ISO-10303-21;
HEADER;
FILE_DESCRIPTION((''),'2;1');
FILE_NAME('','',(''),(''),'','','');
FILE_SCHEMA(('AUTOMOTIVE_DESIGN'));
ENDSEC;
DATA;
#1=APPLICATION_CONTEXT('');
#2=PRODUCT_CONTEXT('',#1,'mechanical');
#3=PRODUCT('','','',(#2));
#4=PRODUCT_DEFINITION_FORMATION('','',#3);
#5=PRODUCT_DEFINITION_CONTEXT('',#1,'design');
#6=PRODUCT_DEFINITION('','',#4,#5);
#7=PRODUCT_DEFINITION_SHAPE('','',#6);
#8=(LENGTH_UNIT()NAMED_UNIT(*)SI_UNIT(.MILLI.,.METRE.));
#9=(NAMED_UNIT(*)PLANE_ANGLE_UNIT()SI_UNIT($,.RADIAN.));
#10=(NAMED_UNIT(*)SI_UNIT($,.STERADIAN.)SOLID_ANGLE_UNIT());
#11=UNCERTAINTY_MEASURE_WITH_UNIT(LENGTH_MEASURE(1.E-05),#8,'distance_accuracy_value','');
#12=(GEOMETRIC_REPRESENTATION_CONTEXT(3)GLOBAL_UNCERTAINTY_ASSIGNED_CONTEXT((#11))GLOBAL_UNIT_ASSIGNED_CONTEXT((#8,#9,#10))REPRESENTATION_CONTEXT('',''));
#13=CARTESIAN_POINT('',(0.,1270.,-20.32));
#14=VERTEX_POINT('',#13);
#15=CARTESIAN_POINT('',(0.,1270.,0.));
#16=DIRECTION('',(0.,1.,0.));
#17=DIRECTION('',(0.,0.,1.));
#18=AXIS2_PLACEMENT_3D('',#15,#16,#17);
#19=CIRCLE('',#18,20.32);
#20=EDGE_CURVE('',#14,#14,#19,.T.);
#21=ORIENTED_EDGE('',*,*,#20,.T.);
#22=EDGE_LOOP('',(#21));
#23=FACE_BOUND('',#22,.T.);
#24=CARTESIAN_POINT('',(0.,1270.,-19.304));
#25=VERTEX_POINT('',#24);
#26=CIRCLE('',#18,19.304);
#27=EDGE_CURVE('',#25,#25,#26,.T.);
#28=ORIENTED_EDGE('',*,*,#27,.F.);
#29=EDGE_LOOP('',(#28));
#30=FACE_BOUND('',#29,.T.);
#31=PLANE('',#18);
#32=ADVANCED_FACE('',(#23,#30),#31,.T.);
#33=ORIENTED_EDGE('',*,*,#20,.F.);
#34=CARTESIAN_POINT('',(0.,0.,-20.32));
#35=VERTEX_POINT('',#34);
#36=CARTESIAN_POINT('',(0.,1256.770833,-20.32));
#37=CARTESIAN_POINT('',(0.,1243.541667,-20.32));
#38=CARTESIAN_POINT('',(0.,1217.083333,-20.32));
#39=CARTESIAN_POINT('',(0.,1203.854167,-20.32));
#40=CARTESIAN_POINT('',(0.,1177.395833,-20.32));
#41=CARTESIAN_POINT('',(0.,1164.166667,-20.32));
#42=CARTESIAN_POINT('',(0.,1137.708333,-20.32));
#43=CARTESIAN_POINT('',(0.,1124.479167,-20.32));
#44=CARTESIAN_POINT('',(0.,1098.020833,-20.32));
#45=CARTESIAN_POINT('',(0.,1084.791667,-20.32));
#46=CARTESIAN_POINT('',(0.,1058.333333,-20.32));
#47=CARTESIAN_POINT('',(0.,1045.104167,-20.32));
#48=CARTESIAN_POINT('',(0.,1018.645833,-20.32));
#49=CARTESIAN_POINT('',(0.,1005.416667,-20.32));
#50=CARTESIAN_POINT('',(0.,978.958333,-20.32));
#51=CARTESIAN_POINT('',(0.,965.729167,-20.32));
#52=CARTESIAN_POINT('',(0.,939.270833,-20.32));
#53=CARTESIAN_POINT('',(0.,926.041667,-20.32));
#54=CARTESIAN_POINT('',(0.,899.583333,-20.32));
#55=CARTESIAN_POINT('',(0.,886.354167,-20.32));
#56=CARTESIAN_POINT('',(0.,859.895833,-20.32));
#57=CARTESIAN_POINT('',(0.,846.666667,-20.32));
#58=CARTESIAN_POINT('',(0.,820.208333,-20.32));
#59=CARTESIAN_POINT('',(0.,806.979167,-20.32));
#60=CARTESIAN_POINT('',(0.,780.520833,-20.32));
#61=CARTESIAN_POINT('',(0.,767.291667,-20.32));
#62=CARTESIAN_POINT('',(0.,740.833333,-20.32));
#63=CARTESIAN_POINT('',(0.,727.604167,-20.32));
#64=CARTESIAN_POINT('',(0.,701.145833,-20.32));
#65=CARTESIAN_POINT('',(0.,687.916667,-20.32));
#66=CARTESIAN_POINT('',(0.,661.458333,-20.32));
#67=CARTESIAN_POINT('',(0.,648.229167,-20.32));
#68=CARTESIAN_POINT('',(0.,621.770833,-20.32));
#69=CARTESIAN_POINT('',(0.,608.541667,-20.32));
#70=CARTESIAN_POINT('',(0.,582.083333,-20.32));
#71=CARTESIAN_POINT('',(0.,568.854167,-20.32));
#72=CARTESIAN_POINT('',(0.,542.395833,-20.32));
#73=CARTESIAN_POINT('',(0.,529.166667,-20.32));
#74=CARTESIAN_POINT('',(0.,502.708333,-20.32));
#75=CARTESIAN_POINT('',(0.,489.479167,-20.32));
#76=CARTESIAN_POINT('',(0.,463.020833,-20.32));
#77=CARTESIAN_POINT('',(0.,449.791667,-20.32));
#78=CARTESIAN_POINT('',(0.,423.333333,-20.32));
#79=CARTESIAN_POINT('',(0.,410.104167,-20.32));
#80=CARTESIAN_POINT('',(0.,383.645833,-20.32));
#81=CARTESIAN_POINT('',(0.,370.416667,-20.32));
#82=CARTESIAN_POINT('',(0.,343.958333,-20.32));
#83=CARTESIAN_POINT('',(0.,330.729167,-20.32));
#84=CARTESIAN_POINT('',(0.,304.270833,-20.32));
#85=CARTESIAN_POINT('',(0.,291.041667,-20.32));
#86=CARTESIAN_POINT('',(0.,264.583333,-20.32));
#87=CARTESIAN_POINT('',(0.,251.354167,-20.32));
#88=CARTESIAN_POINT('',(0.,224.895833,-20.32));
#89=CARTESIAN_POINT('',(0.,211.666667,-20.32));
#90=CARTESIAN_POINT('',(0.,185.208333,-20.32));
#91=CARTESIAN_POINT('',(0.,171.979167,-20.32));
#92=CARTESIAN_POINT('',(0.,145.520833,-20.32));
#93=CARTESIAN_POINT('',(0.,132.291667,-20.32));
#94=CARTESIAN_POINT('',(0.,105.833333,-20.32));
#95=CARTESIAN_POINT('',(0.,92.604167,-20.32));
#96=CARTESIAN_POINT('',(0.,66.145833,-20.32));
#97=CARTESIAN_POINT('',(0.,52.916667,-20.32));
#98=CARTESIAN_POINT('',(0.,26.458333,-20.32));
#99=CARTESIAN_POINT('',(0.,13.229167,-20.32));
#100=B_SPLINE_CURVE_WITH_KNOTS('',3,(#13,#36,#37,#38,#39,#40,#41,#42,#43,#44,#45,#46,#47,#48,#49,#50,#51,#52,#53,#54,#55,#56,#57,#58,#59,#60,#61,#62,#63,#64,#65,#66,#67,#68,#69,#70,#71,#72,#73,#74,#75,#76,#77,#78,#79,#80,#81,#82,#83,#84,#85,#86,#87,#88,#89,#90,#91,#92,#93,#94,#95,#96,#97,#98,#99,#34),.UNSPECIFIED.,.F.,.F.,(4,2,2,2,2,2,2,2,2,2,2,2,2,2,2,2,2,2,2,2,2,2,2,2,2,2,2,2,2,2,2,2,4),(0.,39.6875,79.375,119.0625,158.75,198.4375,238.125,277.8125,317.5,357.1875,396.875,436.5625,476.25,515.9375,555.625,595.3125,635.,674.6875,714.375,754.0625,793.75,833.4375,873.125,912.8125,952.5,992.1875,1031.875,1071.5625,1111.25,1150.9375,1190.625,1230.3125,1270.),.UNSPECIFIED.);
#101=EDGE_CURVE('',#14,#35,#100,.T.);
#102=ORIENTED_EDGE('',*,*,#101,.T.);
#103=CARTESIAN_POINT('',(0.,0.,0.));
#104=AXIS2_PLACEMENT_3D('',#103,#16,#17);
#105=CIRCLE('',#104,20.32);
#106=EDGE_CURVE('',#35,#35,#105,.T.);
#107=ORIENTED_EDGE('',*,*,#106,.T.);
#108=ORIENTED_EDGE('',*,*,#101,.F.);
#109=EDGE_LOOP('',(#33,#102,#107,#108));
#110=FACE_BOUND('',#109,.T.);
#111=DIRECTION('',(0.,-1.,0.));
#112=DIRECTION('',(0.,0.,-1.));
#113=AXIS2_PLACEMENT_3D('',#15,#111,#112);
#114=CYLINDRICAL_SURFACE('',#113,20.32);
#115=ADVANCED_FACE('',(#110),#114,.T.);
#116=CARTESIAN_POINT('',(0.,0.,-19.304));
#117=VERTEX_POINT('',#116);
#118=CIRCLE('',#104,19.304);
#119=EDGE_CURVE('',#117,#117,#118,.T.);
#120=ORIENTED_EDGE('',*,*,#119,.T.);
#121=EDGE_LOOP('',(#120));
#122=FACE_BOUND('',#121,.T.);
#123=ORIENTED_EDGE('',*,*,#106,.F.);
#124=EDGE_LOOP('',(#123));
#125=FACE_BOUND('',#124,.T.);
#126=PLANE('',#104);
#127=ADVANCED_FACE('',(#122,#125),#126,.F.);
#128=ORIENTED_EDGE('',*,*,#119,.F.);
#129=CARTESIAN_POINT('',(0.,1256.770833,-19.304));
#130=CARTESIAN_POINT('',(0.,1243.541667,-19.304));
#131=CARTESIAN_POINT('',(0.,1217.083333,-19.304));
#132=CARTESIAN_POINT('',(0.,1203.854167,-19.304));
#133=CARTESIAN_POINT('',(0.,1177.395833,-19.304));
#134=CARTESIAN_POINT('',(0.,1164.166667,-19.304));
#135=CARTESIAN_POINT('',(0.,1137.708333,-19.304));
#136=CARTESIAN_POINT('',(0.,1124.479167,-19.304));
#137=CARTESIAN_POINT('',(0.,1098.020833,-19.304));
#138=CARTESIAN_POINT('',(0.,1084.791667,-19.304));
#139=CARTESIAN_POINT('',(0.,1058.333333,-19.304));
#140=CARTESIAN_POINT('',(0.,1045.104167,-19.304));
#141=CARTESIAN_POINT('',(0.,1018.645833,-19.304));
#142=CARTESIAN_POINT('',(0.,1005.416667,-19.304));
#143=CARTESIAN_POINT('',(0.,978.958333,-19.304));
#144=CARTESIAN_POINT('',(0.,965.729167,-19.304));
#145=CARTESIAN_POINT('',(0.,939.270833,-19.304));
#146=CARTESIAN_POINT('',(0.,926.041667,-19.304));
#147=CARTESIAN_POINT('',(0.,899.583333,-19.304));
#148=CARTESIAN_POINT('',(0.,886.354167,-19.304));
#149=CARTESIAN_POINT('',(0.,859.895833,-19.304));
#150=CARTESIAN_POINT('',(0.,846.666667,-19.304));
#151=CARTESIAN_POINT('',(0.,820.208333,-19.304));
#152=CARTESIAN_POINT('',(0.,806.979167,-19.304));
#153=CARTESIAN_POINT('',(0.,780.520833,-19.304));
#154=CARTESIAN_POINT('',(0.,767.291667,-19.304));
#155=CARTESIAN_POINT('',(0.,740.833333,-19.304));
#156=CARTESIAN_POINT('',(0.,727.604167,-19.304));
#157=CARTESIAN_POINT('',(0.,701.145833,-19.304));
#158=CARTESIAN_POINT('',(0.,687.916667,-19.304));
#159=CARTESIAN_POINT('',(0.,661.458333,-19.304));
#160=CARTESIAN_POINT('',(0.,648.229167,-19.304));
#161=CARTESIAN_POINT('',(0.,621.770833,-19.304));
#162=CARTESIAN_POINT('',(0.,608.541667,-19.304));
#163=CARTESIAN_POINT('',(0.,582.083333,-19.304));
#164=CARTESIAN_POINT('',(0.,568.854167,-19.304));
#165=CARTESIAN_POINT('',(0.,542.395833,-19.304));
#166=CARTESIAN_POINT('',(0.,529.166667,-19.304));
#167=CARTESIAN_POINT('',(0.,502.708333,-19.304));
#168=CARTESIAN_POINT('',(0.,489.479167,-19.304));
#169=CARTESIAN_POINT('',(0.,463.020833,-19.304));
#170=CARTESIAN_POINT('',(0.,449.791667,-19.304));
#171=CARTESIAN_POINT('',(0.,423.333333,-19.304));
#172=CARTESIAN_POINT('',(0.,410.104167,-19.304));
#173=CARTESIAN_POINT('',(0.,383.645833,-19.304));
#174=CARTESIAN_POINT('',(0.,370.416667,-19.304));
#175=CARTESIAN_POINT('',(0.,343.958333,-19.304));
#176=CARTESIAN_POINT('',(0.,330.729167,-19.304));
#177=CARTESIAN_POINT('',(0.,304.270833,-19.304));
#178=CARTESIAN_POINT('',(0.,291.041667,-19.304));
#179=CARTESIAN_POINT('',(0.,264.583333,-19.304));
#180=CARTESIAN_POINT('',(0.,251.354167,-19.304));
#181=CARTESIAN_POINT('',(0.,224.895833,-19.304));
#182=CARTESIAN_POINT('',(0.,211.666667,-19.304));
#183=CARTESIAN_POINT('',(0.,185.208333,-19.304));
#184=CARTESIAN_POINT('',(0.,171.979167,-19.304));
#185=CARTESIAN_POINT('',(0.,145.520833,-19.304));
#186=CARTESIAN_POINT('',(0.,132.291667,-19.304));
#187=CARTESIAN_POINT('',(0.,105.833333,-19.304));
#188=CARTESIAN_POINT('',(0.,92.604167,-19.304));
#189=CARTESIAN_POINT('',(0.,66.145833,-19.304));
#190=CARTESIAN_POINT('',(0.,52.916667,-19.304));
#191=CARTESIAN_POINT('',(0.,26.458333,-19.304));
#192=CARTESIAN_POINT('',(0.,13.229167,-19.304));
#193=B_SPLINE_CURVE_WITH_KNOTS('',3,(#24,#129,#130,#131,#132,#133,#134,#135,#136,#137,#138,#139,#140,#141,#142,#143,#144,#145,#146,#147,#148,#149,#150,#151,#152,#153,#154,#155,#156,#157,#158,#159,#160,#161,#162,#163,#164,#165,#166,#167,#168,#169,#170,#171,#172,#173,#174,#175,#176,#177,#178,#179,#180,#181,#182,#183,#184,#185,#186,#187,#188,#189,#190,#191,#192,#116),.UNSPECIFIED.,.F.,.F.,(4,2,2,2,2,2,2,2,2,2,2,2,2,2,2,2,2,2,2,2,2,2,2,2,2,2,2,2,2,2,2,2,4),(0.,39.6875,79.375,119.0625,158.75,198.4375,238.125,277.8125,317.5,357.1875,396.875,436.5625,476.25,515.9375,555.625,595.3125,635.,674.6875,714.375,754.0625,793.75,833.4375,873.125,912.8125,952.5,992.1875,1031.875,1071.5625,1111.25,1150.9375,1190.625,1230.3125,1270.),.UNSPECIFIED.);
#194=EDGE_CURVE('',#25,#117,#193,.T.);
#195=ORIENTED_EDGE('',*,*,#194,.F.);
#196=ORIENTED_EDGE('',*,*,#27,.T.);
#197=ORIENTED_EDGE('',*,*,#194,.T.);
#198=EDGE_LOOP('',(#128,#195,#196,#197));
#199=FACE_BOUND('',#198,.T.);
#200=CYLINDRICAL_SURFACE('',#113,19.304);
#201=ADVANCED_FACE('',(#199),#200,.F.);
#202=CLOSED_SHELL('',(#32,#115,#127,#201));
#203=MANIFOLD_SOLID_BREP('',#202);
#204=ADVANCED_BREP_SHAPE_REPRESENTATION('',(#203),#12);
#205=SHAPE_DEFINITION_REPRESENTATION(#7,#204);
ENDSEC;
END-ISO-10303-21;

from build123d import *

# Parameters (mm, degrees)
SKETCH1_R           = 20.32
SKETCH1_R_2         = 19.304
BOSS_EXTRUDE1_DEPTH = 1270


with BuildPart() as part:
    # Sketch1 → Boss-Extrude1 (new body)
    with BuildSketch(Plane(origin=(0, 0, 0), x_dir=(1, 0, 0), z_dir=(0, 1, 0))):
        with Locations(Location((0, 0, 0), (0, 0, 90))):
            Circle(SKETCH1_R)
        with Locations(Location((0, 0, 0), (0, 0, 90))):
            Circle(SKETCH1_R_2, mode=Mode.SUBTRACT)
    extrude(amount=BOSS_EXTRUDE1_DEPTH)


solid = part.part
